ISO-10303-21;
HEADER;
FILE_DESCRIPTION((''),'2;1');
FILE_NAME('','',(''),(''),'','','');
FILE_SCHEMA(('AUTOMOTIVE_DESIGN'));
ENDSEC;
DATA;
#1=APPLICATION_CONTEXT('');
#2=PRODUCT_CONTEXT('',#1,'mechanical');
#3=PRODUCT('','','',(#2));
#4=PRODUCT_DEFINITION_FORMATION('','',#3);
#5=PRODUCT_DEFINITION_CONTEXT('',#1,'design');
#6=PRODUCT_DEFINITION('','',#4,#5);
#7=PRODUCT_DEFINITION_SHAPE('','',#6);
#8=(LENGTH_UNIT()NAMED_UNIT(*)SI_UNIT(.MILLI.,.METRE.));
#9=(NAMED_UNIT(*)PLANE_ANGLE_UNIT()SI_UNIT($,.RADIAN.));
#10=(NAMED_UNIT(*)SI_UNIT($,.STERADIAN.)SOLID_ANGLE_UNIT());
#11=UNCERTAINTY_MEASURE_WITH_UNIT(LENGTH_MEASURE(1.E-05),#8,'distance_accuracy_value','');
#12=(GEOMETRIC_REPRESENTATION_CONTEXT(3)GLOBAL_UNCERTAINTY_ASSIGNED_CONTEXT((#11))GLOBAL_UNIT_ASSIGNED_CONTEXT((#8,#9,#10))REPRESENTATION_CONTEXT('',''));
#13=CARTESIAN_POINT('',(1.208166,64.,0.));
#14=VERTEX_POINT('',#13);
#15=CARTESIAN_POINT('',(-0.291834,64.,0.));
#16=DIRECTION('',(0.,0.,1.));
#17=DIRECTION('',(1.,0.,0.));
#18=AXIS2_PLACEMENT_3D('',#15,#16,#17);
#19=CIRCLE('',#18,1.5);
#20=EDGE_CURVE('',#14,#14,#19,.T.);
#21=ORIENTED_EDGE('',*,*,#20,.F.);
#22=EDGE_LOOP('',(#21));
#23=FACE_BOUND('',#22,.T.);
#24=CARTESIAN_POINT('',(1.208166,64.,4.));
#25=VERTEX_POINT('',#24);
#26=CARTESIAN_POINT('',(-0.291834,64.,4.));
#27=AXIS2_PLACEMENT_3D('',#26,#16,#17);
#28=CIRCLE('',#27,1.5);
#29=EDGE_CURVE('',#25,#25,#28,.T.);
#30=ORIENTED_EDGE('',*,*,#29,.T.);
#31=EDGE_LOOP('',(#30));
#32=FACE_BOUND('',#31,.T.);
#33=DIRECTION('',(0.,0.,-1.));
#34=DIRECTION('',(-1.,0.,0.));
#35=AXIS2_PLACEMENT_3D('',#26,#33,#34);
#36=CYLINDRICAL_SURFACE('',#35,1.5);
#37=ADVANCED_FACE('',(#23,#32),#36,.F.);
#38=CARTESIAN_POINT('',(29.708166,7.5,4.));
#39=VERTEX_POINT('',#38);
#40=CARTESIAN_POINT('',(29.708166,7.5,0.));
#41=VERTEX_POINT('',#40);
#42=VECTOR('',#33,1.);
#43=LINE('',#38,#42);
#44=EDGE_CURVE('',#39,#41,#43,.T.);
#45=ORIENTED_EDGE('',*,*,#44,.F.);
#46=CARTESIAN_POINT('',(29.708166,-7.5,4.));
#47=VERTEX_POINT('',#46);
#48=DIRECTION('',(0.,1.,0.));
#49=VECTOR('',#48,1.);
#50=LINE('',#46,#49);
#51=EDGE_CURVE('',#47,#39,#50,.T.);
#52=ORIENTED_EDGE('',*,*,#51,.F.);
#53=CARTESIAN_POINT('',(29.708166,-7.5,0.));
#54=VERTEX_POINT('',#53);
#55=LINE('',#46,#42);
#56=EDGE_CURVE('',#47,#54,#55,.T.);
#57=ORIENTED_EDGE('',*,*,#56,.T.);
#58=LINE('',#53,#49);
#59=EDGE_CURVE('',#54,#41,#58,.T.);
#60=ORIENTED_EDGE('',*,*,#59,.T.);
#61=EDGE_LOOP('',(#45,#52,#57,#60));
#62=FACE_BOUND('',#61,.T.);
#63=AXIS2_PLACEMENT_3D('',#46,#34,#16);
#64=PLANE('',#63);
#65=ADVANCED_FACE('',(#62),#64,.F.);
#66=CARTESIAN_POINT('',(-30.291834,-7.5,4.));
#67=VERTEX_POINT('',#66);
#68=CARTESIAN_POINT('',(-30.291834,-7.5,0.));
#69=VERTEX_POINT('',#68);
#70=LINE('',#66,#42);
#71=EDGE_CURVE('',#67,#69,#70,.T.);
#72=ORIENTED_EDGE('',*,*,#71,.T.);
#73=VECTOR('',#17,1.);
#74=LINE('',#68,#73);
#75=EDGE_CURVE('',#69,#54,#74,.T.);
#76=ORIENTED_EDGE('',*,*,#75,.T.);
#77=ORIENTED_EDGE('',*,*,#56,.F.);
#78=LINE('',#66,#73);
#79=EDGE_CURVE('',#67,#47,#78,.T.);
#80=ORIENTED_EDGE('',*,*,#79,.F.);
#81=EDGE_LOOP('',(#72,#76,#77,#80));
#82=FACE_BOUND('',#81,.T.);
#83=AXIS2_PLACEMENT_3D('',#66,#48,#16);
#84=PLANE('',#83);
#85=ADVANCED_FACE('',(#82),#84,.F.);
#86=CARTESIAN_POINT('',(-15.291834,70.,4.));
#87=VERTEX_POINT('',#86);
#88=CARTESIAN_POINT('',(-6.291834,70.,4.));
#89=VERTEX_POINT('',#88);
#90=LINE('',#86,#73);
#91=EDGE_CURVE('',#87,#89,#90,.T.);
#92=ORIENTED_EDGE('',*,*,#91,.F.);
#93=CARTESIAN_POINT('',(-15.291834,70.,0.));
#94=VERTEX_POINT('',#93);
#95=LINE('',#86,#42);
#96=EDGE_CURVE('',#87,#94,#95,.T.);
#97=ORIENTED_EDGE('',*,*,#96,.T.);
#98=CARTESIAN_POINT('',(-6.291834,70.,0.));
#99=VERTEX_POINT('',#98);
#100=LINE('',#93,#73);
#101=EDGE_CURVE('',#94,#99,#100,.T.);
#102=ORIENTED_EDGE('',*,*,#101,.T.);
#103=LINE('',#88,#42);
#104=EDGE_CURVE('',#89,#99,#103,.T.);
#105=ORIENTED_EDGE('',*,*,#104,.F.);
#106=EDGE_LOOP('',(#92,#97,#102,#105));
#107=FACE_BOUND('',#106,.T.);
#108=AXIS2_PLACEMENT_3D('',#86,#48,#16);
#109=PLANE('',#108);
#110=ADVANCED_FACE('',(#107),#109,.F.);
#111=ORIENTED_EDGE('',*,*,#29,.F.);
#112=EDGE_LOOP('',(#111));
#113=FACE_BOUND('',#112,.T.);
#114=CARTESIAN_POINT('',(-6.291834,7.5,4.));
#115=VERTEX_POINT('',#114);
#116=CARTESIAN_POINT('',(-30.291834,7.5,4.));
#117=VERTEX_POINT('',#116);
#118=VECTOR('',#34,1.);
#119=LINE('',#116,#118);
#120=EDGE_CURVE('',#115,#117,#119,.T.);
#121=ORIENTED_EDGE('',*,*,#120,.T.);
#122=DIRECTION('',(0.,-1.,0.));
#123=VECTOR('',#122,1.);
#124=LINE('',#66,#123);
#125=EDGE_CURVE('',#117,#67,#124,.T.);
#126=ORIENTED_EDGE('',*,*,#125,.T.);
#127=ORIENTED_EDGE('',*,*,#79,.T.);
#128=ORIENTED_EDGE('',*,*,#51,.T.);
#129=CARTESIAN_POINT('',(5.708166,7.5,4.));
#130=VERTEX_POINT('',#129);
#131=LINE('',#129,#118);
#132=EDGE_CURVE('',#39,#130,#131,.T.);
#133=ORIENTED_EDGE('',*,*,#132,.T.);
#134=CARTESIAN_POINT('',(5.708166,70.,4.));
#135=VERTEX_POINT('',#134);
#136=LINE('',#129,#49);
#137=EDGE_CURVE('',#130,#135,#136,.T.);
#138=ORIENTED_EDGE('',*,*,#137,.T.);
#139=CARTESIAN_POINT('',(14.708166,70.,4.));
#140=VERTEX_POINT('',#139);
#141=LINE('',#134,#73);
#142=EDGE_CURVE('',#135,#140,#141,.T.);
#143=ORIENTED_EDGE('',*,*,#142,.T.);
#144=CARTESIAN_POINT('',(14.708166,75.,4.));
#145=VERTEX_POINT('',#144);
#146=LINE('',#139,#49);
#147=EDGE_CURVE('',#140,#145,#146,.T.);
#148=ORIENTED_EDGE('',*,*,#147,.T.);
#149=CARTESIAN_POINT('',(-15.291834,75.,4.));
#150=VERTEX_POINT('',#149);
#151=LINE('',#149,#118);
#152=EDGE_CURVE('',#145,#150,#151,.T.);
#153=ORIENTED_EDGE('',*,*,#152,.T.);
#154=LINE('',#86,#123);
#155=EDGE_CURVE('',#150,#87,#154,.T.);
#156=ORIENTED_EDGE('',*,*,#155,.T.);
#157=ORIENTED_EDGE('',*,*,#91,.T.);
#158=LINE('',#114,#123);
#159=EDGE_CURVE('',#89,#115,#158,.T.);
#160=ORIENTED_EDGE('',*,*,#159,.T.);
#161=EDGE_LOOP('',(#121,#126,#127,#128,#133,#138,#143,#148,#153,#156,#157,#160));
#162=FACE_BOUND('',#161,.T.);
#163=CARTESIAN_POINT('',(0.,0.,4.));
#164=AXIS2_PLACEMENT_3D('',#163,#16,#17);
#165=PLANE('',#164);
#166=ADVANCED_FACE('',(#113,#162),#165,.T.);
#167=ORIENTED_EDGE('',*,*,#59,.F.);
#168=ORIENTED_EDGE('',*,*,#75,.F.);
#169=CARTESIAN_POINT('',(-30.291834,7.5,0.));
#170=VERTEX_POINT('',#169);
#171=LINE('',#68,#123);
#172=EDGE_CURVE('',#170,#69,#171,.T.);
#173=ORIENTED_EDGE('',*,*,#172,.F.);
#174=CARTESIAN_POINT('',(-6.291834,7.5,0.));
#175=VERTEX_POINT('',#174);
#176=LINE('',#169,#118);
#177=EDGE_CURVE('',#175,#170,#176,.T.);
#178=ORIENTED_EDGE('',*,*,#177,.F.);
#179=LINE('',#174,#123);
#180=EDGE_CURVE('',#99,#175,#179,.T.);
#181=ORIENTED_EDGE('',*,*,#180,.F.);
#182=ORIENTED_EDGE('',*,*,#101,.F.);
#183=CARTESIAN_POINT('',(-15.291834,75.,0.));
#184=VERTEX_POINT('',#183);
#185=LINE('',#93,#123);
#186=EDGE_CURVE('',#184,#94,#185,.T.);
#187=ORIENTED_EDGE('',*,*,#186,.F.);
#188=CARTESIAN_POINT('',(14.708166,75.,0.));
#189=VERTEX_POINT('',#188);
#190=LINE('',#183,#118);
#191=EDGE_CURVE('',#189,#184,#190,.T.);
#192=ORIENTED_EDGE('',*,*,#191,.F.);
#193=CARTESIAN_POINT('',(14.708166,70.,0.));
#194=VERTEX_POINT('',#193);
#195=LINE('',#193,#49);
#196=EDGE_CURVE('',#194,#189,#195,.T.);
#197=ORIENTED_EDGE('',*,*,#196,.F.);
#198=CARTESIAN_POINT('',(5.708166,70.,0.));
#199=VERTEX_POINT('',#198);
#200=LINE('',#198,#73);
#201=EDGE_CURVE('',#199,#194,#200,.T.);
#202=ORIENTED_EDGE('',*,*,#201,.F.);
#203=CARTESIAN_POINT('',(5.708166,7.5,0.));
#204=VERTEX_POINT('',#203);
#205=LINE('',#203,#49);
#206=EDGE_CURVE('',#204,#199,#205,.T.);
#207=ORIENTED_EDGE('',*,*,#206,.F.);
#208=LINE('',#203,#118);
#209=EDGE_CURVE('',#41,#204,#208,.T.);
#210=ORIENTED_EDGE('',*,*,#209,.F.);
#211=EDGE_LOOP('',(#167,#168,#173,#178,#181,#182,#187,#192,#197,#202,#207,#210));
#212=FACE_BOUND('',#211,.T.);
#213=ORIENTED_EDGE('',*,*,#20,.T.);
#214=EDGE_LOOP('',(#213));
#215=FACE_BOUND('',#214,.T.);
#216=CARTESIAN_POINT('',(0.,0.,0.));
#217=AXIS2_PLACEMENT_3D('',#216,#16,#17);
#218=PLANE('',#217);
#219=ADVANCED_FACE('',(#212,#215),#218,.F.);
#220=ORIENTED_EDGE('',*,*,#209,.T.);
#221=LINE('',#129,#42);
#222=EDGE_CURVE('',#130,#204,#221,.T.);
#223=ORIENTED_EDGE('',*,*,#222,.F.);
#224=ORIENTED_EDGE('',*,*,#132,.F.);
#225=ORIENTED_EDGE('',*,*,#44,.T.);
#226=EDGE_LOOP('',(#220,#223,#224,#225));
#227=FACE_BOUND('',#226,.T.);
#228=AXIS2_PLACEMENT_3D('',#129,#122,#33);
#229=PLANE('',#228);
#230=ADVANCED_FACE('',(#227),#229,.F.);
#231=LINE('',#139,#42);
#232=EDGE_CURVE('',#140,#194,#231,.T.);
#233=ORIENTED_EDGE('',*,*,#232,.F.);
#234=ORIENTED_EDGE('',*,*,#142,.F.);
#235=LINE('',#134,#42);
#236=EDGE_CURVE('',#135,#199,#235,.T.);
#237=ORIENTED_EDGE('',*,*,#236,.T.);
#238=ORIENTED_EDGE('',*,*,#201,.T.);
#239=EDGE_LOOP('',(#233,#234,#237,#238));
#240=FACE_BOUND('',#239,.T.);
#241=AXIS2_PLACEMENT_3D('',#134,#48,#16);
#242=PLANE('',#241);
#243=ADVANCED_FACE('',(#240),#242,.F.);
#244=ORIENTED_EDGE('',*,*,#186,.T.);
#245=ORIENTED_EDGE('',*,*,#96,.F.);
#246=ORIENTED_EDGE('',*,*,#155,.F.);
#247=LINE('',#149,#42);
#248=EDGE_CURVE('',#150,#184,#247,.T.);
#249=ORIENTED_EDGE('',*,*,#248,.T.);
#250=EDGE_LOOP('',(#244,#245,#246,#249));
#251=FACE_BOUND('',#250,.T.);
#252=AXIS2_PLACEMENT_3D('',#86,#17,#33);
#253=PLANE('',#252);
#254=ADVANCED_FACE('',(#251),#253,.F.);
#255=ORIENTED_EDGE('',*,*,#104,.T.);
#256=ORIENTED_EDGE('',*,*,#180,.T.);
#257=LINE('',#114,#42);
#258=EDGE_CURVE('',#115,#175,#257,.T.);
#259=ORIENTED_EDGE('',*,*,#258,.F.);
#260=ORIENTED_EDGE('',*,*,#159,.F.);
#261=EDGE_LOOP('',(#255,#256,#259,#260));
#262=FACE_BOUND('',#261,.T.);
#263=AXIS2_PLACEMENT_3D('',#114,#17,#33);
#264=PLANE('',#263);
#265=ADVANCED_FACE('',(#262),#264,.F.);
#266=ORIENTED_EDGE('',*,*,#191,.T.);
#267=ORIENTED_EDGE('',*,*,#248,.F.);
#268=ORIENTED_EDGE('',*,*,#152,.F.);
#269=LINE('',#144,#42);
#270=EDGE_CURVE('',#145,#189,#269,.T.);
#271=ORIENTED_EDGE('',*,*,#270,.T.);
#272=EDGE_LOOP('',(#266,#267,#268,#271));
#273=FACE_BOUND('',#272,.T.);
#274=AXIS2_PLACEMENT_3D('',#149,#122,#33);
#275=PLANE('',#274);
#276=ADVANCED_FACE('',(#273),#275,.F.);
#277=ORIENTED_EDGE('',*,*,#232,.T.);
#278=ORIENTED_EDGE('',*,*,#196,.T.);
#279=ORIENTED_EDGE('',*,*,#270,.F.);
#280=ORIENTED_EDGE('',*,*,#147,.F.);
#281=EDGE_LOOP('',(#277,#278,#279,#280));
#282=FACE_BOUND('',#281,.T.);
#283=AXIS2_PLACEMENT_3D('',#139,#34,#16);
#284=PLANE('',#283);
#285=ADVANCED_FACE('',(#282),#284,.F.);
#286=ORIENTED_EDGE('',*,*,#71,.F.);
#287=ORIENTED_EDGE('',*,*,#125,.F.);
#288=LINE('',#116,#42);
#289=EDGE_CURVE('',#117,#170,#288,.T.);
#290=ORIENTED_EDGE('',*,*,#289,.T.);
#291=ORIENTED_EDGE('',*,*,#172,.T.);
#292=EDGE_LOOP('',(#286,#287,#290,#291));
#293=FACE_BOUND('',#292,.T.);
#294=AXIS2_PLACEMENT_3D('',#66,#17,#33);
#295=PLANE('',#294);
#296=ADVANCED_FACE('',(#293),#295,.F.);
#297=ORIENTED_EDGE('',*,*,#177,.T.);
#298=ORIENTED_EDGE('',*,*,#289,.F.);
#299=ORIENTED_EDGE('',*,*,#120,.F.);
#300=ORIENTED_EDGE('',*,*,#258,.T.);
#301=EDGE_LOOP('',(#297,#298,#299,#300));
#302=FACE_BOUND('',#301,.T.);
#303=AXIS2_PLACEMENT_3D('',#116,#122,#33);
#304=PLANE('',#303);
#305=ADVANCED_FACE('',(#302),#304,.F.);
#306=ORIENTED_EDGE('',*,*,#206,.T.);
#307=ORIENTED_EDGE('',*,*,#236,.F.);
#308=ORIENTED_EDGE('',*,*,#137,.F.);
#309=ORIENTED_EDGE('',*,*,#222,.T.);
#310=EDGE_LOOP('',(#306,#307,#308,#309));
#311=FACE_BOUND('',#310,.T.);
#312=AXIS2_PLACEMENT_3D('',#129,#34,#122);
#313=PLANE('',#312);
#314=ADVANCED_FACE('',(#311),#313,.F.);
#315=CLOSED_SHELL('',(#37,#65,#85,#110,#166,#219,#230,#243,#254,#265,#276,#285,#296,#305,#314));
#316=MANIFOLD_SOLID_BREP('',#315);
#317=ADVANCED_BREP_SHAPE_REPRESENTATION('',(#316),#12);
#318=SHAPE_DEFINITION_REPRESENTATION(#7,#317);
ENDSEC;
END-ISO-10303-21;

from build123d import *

# Parameters (mm, degrees)
SKETCH_1_R      = 1.5
EXTRUDE_1_DEPTH = 4


with BuildPart() as part:
    # Эскиз1 → Бобышка-Вытянуть1 (new body)
    with BuildSketch(Plane.XY):
        Polygon((5.708165521, 70), (14.708165521, 70), (14.708165521, 75), (-15.291834479, 75), (-15.291834479, 70), (-6.291834479, 70), (-6.291834479, 7.5), (-30.291834479, 7.5), (-30.291834479, -7.5), (29.708165521, -7.5), (29.708165521, 7.5), (5.708165521, 7.5), align=None)
        with Locations((-0.291834479, 64)):
            Circle(SKETCH_1_R, mode=Mode.SUBTRACT)
    extrude(amount=EXTRUDE_1_DEPTH)


solid = part.part
